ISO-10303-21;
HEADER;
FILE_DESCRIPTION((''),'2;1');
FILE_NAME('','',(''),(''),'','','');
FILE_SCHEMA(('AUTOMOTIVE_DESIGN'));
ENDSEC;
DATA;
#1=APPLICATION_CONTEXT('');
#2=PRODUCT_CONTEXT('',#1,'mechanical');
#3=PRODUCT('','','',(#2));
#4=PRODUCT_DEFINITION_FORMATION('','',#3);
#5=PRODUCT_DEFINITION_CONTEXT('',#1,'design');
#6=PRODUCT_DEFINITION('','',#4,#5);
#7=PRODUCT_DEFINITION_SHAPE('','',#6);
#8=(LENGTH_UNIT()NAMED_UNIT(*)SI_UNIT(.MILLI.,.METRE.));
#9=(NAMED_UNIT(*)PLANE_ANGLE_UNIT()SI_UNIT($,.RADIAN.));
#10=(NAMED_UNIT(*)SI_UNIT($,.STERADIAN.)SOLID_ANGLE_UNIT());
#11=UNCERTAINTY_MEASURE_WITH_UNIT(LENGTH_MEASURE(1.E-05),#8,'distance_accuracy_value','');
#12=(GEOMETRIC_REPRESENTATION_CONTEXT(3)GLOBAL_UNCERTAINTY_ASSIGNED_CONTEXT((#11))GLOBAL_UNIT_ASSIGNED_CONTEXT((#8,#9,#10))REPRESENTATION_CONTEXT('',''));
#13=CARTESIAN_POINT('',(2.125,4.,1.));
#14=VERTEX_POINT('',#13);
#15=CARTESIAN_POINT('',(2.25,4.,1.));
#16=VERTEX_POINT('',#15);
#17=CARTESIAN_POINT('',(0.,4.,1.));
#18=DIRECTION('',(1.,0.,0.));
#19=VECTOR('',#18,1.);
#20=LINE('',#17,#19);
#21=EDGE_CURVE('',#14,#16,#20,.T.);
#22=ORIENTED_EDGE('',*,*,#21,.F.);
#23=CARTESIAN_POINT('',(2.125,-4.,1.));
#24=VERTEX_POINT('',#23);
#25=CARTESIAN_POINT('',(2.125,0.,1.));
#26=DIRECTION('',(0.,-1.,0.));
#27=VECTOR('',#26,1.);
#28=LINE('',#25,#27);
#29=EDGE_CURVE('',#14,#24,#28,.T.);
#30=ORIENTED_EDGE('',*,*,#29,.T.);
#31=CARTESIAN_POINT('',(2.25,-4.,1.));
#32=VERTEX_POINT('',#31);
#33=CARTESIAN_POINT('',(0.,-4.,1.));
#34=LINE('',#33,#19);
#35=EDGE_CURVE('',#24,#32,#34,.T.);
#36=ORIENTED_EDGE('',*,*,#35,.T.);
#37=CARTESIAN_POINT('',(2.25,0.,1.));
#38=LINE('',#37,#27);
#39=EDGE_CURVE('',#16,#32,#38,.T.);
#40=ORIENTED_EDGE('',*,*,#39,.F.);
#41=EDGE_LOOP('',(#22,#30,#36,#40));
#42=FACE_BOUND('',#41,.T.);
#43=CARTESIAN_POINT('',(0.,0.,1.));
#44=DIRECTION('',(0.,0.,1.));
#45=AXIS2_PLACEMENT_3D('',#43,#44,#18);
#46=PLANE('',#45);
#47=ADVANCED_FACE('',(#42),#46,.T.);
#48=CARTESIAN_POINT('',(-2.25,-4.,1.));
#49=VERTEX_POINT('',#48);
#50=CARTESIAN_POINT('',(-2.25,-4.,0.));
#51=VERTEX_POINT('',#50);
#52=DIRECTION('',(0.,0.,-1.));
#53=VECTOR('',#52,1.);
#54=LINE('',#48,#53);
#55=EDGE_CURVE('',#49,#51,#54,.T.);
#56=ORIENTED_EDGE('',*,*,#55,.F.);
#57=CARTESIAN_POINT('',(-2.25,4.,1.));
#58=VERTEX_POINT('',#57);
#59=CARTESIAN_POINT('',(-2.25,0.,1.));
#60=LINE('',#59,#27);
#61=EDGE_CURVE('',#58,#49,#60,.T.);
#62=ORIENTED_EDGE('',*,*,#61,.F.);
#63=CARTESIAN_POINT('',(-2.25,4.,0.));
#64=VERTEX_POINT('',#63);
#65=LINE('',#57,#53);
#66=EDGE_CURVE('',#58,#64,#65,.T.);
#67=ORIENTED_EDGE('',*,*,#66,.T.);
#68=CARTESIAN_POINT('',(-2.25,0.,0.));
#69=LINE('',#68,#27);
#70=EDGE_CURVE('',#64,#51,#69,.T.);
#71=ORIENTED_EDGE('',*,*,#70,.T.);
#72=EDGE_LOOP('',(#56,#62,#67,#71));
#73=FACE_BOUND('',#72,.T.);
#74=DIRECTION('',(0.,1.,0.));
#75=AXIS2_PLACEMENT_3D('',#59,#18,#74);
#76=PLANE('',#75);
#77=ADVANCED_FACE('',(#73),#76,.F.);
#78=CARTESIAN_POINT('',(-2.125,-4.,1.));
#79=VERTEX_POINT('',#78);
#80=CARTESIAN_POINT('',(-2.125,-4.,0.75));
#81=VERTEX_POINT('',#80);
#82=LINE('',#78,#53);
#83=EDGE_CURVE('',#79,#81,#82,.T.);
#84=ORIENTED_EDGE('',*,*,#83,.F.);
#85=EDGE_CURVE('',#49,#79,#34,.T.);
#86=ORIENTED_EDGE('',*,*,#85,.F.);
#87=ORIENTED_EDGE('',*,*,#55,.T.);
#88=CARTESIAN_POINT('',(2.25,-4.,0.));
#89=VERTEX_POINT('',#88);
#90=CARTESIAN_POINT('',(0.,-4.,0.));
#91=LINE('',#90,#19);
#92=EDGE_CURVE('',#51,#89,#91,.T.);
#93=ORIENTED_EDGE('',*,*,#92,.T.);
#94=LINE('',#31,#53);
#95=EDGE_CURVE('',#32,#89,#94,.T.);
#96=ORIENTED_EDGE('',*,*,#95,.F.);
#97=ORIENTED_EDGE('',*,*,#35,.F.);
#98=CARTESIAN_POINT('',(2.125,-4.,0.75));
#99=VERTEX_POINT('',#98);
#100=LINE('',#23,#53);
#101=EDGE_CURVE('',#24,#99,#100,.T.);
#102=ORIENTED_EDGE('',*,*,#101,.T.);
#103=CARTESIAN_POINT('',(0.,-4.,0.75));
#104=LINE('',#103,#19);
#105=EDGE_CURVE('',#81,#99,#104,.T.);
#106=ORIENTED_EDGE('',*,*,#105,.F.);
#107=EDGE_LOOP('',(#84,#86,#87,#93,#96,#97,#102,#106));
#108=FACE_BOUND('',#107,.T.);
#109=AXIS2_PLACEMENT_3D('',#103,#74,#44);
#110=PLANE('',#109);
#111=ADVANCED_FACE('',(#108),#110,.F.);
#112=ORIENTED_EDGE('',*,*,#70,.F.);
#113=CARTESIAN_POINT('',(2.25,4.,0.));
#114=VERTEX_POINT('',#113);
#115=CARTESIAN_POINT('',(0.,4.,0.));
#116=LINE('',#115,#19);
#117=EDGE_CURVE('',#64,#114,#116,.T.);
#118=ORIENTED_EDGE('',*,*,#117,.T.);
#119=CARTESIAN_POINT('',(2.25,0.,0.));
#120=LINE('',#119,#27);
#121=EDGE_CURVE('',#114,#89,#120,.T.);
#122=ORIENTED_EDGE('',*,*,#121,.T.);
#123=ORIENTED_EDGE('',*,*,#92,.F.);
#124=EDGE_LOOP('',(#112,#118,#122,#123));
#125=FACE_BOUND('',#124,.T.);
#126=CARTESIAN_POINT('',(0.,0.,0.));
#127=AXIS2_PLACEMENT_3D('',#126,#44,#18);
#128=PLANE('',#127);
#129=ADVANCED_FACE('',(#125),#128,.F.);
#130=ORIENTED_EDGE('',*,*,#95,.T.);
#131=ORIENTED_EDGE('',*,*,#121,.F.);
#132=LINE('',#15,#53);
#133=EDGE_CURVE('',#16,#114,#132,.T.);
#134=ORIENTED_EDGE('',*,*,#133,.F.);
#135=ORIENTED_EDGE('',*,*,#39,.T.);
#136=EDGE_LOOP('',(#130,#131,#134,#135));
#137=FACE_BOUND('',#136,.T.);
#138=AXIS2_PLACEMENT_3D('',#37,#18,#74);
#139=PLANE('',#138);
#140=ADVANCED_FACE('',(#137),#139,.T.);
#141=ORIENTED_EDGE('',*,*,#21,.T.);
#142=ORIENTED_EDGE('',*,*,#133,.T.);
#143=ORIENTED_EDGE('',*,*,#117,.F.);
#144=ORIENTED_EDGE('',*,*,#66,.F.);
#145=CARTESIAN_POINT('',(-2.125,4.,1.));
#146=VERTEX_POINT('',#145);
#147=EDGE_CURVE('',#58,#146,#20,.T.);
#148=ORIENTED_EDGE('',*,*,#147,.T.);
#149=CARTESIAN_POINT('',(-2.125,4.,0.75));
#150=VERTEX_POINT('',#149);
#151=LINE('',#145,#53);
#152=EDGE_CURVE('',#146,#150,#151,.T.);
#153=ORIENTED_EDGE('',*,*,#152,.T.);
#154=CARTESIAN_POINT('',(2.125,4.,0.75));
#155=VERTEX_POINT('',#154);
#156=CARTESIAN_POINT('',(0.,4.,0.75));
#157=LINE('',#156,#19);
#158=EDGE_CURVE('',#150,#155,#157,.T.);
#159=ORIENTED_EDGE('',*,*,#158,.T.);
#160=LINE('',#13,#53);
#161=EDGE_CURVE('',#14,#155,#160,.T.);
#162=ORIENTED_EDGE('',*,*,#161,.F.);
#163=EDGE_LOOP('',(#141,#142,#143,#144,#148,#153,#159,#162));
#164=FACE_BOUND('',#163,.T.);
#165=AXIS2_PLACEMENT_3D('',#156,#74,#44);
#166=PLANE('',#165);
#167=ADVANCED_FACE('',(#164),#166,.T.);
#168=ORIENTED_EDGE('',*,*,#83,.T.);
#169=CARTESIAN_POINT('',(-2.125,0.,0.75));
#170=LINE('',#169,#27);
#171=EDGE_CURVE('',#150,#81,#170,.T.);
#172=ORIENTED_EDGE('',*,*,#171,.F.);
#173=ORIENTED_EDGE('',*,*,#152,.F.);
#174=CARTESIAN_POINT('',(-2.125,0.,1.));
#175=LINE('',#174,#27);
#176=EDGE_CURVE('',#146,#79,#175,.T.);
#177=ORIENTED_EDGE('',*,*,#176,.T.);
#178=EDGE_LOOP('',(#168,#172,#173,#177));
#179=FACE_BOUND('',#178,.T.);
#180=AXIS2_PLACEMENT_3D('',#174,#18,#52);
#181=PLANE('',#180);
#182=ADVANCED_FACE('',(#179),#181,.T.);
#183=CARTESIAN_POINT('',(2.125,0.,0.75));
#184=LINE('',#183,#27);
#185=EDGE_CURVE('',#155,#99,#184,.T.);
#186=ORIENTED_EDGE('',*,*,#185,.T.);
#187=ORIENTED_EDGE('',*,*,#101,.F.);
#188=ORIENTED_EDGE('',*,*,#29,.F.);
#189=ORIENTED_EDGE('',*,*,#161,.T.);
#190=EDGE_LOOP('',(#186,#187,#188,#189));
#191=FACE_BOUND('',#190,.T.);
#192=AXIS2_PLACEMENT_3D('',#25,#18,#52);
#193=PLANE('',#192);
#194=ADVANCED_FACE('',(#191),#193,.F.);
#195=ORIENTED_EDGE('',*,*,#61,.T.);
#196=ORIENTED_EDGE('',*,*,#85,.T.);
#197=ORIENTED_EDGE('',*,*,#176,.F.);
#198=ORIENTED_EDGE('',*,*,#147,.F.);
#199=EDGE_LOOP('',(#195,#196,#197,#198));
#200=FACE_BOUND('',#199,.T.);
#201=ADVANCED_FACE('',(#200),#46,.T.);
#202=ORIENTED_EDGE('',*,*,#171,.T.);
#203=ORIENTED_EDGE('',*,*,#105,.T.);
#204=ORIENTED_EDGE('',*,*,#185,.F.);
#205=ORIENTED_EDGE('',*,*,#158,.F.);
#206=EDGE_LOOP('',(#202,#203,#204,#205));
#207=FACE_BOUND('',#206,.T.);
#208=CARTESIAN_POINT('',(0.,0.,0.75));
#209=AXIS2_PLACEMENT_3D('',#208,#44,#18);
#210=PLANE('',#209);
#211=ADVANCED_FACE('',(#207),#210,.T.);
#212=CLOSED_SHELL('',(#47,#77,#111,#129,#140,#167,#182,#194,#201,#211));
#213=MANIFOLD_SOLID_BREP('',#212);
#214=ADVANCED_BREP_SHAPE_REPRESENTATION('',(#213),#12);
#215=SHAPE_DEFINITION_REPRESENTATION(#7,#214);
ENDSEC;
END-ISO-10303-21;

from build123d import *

# Parameters (mm, degrees)
SKETCH1_W           = 4.25
SKETCH1_H           = 8
BOSS_EXTRUDE1_DEPTH = 0.75
SKETCH1_3_W         = 0.125
SKETCH1_3_H         = 8
BOSS_EXTRUDE2_DEPTH = 1


with BuildPart() as part:
    # Sketch1 → Boss-Extrude1 (new body)
    with BuildSketch(Plane.XY):
        Rectangle(SKETCH1_W, SKETCH1_H)
    extrude(amount=BOSS_EXTRUDE1_DEPTH)

    # Sketch1<3> → Boss-Extrude2 (add)
    with BuildSketch(Plane.XY):
        with Locations((2.1875, 0)):
            Rectangle(SKETCH1_3_W, SKETCH1_3_H)
        with Locations((-2.1875, 0)):
            Rectangle(SKETCH1_3_W, SKETCH1_3_H)
    extrude(amount=BOSS_EXTRUDE2_DEPTH)


solid = part.part
